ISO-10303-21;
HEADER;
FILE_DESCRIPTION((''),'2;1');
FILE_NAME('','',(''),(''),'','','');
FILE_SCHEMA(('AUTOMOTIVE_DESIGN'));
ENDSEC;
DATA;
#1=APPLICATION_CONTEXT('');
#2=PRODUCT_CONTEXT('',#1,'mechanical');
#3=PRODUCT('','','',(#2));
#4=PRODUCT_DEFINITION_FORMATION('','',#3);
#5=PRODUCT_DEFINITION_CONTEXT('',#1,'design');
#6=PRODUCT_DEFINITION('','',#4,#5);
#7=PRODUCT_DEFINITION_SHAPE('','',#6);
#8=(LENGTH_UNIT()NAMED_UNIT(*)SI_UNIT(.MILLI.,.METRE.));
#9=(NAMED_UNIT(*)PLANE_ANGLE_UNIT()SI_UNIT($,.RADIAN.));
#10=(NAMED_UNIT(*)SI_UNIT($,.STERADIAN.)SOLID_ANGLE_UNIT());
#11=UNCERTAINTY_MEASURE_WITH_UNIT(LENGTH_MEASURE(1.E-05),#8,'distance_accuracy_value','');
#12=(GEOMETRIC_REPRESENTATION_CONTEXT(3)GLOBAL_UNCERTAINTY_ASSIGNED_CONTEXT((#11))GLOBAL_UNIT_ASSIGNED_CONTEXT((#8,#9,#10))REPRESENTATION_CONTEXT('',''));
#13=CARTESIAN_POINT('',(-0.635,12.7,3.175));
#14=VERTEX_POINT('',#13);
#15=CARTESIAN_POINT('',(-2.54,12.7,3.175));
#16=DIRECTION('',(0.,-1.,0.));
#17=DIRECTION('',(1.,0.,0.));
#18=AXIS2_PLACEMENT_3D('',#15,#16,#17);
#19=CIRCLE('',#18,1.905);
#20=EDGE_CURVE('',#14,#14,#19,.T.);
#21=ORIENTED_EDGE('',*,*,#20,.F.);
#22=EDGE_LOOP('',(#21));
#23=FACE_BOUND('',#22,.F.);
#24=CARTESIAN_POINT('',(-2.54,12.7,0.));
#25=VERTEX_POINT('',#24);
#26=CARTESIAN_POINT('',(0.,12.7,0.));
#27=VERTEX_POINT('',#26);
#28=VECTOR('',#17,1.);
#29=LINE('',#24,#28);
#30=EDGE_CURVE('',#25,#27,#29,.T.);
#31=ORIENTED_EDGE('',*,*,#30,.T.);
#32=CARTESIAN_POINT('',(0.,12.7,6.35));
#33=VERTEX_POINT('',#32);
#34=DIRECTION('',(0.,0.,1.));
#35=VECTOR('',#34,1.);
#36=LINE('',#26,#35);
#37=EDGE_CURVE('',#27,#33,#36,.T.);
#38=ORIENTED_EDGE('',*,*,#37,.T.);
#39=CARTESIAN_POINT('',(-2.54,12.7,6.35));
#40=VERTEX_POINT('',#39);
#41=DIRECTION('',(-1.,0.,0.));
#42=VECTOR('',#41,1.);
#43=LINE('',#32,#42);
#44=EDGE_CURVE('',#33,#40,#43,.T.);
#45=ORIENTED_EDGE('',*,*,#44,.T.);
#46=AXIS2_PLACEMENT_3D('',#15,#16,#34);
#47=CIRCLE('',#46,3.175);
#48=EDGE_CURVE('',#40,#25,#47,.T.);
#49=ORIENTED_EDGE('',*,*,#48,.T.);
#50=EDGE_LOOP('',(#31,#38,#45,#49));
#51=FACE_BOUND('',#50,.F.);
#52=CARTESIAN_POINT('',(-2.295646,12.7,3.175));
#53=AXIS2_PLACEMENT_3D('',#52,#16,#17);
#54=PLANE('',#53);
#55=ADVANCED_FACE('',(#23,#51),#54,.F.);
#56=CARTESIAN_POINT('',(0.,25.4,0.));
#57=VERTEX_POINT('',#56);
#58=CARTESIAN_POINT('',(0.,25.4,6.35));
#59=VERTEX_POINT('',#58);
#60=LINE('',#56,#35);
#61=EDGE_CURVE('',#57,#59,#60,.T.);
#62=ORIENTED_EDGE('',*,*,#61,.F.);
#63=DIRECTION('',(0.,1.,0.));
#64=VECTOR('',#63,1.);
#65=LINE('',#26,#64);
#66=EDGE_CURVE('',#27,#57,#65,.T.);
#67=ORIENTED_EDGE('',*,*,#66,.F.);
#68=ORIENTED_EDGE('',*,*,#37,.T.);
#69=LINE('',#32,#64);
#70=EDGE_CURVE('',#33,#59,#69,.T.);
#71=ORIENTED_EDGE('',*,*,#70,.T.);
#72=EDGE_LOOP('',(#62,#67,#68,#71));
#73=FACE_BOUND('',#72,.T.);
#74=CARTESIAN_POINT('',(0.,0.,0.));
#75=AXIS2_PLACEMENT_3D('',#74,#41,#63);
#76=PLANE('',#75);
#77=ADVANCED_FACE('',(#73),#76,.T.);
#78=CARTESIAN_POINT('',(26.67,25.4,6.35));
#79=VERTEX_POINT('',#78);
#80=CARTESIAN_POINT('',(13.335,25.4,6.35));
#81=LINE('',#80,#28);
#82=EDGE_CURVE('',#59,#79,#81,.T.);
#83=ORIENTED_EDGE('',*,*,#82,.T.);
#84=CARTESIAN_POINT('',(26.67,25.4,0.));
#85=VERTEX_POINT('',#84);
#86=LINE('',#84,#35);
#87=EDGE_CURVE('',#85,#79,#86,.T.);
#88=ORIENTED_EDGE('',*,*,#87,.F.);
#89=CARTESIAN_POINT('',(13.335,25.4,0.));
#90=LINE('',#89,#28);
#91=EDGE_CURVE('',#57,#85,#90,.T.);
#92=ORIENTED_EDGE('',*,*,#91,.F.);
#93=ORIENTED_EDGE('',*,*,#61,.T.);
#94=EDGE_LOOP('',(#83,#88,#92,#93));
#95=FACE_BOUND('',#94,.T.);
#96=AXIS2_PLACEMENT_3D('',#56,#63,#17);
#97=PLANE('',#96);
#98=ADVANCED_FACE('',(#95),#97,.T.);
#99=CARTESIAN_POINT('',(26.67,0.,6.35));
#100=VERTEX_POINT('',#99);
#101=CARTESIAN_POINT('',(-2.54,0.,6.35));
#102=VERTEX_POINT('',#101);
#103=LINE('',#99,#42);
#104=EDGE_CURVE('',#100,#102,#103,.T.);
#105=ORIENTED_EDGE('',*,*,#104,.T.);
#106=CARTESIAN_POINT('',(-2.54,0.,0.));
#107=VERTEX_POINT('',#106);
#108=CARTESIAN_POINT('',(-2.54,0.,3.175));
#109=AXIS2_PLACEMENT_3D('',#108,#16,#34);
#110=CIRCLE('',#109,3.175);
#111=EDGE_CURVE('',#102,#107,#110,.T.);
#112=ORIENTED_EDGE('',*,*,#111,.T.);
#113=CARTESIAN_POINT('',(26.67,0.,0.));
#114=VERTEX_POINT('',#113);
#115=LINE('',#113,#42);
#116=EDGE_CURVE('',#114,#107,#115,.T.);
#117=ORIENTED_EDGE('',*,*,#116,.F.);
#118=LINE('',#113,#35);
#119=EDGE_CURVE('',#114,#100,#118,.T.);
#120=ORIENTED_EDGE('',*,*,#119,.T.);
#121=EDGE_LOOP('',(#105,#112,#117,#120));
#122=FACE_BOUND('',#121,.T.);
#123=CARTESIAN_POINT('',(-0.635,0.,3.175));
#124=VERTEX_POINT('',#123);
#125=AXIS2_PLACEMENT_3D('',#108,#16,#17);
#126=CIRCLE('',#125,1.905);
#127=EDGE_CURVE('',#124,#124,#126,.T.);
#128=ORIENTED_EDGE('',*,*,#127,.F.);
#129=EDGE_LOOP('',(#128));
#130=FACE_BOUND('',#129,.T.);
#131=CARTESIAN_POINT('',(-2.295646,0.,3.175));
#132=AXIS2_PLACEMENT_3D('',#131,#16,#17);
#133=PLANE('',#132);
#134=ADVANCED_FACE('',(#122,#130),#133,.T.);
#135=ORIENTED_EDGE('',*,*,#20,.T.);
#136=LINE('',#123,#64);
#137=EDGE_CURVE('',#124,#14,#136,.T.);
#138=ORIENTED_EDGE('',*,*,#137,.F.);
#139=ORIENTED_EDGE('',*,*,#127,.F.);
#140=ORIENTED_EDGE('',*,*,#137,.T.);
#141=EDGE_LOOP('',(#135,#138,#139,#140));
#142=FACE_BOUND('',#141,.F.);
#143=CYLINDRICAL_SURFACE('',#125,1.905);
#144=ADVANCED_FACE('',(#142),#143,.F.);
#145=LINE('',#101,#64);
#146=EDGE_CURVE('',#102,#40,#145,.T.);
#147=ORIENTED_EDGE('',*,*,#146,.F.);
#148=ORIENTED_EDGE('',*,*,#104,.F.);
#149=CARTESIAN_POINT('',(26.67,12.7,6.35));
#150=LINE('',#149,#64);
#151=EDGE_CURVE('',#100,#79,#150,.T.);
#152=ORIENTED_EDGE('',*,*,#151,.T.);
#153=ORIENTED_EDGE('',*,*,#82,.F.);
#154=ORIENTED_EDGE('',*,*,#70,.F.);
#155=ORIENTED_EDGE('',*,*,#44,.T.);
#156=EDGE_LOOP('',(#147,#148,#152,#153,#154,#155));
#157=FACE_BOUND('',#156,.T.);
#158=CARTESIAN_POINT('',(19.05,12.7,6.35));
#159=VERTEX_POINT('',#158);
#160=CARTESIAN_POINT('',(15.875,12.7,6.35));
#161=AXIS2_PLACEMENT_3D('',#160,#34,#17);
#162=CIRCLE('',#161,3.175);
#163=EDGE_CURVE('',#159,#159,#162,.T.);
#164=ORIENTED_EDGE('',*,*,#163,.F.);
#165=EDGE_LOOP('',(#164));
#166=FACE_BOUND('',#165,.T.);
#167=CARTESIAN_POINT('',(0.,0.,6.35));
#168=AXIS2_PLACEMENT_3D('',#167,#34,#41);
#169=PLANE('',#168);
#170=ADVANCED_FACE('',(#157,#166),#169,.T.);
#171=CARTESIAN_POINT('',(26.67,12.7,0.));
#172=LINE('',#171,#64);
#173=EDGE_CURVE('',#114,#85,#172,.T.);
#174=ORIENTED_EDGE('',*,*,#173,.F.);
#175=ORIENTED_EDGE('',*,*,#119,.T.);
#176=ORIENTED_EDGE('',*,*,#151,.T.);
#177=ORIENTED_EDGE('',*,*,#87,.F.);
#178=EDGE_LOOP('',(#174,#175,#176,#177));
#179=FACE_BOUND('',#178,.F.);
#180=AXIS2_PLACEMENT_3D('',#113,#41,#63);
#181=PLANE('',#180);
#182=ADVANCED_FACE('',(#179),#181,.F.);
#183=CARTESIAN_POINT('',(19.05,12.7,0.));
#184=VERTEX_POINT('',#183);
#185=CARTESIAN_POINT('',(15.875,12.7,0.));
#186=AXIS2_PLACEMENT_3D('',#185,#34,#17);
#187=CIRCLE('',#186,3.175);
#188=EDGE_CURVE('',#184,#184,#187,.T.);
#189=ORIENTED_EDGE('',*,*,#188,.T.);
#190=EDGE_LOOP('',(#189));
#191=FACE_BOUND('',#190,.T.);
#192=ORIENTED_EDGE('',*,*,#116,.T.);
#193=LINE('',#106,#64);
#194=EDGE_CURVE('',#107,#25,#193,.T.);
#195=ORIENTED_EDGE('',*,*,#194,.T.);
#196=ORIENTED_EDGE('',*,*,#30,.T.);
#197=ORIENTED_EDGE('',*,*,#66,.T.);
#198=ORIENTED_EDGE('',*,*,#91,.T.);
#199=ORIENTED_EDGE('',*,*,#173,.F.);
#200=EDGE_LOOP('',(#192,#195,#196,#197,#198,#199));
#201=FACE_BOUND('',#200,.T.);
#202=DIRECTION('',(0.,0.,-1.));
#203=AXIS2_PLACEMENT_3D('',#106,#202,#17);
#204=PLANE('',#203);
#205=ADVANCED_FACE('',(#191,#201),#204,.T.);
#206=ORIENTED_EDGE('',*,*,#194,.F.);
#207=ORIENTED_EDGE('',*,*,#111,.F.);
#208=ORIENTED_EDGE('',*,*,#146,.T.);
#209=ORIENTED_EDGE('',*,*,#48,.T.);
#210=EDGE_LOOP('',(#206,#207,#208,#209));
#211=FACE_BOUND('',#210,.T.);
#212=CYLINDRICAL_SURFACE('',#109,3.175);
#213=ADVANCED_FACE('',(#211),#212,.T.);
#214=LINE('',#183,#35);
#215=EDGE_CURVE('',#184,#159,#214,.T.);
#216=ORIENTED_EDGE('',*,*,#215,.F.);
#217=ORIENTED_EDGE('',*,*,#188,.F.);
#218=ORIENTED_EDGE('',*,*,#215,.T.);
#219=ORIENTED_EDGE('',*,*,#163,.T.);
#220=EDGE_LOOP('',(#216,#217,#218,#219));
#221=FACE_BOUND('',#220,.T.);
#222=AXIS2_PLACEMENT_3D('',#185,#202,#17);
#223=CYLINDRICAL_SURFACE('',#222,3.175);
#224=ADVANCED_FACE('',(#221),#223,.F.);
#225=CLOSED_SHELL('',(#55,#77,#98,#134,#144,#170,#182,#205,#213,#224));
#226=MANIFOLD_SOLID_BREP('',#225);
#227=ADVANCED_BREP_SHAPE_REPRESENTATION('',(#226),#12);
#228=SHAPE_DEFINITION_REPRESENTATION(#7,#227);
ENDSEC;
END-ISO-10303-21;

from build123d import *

# Parameters (mm, degrees)
F0_W     = 26.67
F0_H     = 25.4
F0_R     = 3.175
F1_DEPTH = 6.35
F2_R     = 1.905
F3_DEPTH = 12.7


with BuildPart() as f1:
    # F0 (on Top) → F1 (new body)
    with BuildSketch(Plane.XY):
        with Locations((13.335, 12.7)):
            Rectangle(F0_W, F0_H)
        with Locations((15.875, 12.7)):
            Circle(F0_R, mode=Mode.SUBTRACT)
    extrude(amount=F1_DEPTH)

    # F2 (on face) → F3 (join)
    with BuildSketch(Plane.XZ):
        with BuildLine():
            Line((0, 0), (0, 6.35))
            Line((0, 6.35), (-2.54, 6.35))
            ThreePointArc((-2.54, 6.35), (-5.715, 3.175), (-2.54, 0))
            Line((-2.54, 0), (0, 0))
        make_face()
        with Locations((-2.54, 3.175)):
            Circle(F2_R, mode=Mode.SUBTRACT)
    extrude(amount=-F3_DEPTH)


solid = f1.part
